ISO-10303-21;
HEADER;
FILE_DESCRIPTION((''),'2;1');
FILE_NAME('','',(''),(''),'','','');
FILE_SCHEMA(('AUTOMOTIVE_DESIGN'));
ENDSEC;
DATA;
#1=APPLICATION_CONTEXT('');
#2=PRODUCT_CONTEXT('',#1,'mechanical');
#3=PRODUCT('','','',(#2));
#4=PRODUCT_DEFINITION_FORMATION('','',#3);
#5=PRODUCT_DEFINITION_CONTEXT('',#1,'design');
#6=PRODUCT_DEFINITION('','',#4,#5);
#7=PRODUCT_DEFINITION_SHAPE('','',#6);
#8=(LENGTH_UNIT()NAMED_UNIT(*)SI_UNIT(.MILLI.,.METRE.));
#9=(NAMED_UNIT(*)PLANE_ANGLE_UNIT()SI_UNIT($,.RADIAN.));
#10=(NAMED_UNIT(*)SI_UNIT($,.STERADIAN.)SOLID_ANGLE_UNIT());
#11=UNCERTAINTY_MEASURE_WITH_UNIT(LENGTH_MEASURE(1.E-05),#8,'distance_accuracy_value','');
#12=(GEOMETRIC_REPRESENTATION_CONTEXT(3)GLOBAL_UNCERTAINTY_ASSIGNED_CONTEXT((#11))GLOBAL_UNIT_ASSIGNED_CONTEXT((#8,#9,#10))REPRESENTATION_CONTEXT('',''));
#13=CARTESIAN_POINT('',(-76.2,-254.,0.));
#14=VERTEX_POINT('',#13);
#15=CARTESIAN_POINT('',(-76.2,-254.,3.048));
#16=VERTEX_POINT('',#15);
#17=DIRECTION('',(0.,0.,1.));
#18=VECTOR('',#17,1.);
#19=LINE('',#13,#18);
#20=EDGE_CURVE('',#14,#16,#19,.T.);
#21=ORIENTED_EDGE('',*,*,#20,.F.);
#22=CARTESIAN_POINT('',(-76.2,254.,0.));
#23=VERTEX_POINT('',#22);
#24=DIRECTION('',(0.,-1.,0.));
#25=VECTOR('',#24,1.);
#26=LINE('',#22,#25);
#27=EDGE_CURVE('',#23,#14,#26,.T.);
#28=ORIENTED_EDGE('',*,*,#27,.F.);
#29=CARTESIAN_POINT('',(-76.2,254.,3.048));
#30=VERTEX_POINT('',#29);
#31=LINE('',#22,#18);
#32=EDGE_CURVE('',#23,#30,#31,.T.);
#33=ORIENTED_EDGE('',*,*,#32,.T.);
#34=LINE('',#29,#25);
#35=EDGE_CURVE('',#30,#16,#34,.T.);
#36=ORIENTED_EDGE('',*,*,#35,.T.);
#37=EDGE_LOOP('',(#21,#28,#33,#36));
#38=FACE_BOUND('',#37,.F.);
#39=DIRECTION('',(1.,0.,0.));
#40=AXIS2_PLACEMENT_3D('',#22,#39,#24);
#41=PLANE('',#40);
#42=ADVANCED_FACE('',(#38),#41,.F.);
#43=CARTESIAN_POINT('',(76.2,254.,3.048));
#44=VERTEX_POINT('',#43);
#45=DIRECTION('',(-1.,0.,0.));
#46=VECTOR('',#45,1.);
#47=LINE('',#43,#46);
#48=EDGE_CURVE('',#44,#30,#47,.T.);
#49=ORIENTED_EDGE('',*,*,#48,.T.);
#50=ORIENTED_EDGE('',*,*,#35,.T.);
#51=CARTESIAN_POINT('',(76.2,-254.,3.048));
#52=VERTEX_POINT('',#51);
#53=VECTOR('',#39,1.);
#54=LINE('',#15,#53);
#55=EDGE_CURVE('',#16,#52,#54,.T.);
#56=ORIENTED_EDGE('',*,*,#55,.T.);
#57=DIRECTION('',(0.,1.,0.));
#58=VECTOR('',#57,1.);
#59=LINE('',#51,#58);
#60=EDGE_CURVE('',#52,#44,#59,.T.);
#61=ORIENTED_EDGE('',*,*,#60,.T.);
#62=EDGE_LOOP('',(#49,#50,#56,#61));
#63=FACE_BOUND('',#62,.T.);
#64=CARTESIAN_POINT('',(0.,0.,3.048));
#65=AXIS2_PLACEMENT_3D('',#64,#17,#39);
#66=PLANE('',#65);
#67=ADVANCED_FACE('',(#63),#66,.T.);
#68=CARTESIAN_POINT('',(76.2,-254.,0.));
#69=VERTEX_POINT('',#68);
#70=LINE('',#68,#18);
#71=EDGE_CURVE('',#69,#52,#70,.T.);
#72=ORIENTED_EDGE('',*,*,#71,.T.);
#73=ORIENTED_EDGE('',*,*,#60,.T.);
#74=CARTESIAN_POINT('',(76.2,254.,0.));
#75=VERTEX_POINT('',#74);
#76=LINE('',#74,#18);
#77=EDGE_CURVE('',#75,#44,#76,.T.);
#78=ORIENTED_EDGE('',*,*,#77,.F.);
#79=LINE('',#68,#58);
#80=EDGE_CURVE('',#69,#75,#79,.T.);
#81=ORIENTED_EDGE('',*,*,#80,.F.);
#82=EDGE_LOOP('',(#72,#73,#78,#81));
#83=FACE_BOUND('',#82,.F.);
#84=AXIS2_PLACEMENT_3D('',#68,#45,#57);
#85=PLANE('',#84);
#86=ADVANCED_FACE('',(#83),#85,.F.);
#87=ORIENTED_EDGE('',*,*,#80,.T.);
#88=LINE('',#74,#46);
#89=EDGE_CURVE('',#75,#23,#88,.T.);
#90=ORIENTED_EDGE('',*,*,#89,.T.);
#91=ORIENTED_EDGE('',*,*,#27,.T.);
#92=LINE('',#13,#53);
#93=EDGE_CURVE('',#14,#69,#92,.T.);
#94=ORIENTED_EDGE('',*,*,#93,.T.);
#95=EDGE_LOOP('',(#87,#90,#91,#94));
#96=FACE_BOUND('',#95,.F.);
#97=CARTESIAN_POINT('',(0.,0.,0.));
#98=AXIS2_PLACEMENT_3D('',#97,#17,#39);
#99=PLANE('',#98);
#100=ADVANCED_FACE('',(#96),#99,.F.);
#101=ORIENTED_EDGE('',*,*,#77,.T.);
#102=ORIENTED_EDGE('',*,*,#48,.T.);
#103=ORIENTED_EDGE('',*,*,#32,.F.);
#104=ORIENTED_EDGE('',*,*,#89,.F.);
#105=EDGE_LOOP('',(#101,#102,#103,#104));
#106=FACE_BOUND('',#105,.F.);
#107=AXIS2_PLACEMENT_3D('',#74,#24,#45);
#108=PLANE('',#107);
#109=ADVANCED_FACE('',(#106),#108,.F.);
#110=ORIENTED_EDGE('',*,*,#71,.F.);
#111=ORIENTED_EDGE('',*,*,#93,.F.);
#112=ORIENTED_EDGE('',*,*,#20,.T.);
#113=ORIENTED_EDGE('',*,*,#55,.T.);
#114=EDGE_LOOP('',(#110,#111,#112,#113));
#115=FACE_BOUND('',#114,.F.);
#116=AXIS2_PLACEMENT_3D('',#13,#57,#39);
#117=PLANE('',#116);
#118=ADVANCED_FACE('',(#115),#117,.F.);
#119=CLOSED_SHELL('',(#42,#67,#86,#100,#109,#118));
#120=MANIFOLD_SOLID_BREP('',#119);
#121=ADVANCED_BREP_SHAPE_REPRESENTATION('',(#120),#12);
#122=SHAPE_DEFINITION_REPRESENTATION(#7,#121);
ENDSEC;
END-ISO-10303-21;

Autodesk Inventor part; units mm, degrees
ref_plane "YZ Plane" through (0, 0, 0) normal (1, 0, 0) x (0, 1, 0)
ref_plane "XZ Plane" through (0, 0, 0) normal (0, 1, 0) x (-1, 0, 0)
ref_plane "XY Plane" through (0, 0, 0) normal (0, 0, 1) x (1, 0, 0)
sketch "Sketch1" plane through (0, 0, 0) normal (0, 0, 1) x (1, 0, 0)
  line L0 (76.2, 254) -> (-76.2, 254)
  line L1 (-76.2, 254) -> (-76.2, -254)
  line L2 (-76.2, -254) -> (76.2, -254)
  line L3 (76.2, -254) -> (76.2, 254)
  line L4 (76.2, 254) -> (-76.2, -254) construction
  line L5 (-76.2, 254) -> (76.2, -254) construction
  point P0 (0, 0)
  dimension "d0" = 152.4
  dimension "d1" = 508
extrude "Plate1" add sketch "Sketch1" along normal blind 3.048
equation "\"d2\" = Thickness"
equation "\"BendRadius\" = Thickness"
equation "\"BendReliefWidth\" = Thickness"
equation "\"BendReliefDepth\" = 0.5 * Thickness"
equation "\"CornerReliefSize\" = 4 * Thickness"
equation "\"MinimumRemnant\" = 2 * Thickness"
equation "\"TransitionRadius\" = BendRadius"
equation "\"JacobiRadiusSize\" = BendRadius"
equation "\"GapSize\" = Thickness"
equation "\"Thickness\" = 3.048"
properties part number "feeder_contact_plate"
